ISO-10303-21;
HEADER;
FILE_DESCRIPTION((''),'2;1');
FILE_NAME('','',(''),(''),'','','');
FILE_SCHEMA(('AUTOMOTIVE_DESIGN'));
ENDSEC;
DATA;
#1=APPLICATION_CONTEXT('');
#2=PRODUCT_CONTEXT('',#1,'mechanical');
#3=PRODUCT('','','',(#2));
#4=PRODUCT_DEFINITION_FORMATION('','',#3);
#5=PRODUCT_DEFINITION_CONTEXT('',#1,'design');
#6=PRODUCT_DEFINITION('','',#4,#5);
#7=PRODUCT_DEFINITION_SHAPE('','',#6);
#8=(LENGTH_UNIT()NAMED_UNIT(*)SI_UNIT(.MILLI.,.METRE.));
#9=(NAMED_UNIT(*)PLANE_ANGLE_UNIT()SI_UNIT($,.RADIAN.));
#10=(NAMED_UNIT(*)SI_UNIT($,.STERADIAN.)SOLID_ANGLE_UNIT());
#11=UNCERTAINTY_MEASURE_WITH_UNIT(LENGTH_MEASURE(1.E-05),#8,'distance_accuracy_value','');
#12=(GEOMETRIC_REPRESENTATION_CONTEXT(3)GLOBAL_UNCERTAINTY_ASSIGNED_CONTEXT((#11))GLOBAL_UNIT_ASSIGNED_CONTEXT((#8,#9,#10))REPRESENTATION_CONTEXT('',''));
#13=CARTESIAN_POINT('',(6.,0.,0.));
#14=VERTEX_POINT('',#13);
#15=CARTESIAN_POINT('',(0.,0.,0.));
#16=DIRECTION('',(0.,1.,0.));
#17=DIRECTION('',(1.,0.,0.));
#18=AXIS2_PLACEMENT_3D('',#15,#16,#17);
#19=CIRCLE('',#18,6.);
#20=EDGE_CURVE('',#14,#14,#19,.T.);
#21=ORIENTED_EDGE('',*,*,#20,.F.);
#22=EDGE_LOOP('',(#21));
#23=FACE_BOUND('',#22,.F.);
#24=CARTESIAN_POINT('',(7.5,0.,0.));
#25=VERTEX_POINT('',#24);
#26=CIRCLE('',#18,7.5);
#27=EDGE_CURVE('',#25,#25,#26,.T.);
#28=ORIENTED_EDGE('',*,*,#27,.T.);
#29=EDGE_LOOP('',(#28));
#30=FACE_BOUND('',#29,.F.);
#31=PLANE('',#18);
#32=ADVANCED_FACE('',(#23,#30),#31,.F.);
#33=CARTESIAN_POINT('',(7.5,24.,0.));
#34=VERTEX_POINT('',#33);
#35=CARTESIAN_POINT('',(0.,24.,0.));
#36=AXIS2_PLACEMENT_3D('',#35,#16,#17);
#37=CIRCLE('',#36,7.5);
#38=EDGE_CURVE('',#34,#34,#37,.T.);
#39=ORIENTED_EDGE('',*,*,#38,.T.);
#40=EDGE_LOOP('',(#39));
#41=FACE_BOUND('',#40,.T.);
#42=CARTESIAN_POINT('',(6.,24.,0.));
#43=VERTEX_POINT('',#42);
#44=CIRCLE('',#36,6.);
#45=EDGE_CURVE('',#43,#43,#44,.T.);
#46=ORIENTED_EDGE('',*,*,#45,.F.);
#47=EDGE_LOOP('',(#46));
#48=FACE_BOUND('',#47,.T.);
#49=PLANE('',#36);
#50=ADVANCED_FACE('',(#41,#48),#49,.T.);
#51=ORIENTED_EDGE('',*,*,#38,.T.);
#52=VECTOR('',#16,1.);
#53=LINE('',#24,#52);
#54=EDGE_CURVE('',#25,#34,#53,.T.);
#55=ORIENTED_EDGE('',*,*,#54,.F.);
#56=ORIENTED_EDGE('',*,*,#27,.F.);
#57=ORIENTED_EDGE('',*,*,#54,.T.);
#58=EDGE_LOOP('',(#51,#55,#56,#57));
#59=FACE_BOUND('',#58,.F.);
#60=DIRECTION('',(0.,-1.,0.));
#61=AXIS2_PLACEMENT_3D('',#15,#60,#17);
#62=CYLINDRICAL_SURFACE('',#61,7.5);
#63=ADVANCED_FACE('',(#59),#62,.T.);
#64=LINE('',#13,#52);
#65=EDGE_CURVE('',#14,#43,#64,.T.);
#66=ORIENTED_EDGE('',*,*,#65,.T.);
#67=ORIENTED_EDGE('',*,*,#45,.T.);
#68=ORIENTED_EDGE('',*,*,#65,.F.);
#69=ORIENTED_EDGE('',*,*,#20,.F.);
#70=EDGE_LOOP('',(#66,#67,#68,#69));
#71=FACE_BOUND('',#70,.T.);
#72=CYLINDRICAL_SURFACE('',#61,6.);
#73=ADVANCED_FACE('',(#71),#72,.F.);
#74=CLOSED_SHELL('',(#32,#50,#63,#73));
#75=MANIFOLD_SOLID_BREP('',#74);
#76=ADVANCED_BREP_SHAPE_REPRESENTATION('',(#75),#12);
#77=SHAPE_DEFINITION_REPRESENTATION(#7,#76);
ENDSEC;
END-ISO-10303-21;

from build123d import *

# Parameters (mm, degrees)
SKETCH1_R           = 7.5
SKETCH1_R_2         = 6
BOSS_EXTRUDE1_DEPTH = 24


with BuildPart() as part:
    # Sketch1 → Boss-Extrude1 (new body)
    with BuildSketch(Plane(origin=(0, 0, 0), x_dir=(1, 0, 0), z_dir=(0, 1, 0))):
        Circle(SKETCH1_R)
        Circle(SKETCH1_R_2, mode=Mode.SUBTRACT)
    extrude(amount=BOSS_EXTRUDE1_DEPTH)


solid = part.part
